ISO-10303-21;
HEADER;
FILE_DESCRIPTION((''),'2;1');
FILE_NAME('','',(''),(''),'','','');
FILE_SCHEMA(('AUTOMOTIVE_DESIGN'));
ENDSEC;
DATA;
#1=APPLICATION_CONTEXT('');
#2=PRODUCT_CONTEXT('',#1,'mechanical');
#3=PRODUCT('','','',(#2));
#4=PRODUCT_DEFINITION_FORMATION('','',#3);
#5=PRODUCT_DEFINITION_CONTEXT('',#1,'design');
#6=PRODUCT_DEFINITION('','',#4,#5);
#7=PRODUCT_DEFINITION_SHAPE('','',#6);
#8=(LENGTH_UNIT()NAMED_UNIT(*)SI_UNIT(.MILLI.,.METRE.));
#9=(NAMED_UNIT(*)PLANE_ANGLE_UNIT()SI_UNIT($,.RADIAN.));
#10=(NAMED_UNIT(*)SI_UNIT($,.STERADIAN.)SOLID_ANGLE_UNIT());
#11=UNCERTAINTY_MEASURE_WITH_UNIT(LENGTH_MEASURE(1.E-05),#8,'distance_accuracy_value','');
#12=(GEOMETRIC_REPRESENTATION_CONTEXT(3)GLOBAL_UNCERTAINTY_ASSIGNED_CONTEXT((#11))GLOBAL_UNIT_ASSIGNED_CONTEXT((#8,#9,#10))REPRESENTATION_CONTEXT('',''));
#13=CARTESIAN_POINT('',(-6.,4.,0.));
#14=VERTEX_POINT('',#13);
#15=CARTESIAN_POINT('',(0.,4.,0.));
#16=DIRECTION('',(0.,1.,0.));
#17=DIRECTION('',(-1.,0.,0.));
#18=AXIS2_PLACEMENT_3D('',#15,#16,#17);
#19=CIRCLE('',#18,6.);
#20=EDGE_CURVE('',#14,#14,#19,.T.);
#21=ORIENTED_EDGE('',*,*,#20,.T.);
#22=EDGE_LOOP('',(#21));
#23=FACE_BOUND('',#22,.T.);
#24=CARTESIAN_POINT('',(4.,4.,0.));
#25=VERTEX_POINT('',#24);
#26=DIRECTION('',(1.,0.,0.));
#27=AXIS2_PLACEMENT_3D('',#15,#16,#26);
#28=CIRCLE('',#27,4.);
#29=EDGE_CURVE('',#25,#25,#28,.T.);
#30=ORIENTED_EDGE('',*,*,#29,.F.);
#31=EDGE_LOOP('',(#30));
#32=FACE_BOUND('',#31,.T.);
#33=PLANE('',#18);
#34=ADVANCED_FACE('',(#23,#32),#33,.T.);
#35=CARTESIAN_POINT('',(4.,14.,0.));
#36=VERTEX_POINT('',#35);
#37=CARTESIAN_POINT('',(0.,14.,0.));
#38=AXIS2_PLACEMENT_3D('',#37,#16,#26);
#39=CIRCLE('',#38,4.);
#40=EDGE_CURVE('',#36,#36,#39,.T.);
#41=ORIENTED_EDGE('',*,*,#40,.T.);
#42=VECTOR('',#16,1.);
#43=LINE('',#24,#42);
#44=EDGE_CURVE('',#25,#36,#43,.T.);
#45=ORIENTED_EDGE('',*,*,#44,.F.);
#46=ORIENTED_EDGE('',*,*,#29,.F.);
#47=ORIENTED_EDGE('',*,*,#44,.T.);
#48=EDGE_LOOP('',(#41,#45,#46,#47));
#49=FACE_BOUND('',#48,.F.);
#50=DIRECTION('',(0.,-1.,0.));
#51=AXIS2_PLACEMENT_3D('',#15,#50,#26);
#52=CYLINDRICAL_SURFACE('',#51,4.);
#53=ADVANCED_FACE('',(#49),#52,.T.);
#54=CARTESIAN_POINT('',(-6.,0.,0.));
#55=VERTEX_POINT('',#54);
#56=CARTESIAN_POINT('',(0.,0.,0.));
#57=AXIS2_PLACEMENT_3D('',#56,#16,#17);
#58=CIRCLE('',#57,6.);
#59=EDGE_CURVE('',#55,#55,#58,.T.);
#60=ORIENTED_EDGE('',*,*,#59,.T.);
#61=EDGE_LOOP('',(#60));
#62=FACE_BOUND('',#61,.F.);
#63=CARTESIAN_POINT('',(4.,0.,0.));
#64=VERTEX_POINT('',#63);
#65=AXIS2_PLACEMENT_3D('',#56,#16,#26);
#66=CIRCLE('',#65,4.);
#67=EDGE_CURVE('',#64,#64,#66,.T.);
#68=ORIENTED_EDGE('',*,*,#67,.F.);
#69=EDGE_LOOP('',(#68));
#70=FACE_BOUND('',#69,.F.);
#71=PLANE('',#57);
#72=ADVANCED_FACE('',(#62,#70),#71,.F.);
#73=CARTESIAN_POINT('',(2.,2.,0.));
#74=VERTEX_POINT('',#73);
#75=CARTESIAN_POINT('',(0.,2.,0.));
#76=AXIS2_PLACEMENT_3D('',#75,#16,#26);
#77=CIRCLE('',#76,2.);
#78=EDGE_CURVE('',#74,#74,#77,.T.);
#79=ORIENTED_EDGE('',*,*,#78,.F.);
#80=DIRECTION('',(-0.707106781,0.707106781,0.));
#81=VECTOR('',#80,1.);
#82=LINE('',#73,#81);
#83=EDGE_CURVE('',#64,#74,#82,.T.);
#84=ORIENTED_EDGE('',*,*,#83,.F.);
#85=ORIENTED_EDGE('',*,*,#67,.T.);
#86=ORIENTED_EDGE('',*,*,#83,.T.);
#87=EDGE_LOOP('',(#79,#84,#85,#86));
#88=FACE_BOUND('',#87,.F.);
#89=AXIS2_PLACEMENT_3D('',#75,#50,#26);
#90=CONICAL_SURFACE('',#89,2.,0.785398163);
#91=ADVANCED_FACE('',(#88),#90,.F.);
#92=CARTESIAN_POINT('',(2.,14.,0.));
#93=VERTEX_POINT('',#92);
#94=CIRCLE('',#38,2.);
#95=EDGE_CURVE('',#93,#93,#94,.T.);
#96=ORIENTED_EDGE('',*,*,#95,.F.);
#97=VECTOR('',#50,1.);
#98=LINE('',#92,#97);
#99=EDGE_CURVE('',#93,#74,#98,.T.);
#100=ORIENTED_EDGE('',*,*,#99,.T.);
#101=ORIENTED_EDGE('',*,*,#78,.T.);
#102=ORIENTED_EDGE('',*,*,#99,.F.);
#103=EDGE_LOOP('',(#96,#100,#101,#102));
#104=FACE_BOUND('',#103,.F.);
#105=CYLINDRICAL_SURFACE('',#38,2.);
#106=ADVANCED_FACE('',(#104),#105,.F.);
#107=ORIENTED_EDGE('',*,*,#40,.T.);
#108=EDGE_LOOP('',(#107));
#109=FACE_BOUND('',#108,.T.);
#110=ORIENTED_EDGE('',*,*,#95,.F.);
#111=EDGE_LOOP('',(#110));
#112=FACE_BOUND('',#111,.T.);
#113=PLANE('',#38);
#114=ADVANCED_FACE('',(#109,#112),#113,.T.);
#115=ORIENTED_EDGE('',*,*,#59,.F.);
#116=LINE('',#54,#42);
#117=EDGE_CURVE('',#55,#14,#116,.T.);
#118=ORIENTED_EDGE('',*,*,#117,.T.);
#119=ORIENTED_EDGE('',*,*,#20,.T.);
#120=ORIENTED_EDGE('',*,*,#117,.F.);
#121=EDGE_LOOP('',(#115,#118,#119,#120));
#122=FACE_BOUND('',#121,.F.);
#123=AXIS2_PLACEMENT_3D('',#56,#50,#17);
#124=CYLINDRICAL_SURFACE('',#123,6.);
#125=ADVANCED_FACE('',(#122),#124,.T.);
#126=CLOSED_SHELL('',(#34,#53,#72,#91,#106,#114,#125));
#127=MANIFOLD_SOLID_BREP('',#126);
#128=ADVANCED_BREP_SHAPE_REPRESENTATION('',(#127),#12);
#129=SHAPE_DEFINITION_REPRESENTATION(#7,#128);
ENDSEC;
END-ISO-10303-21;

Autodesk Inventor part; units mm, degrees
ref_plane "YZ Plane" through (0, 0, 0) normal (1, 0, 0) x (0, 1, 0)
ref_plane "XZ Plane" through (0, 0, 0) normal (0, 1, 0) x (-1, 0, 0)
ref_plane "XY Plane" through (0, 0, 0) normal (0, 0, 1) x (1, 0, 0)
sketch "Sketch1" plane through (0, 0, 0) normal (0, 1, 0) x (-1, 0, 0)
  circle A0 centre (0, 0) radius 6
  dimension "d0" = 12
extrude "Extrusion1" add sketch "Sketch1" along normal blind 4
sketch "Sketch2" plane through (0, 4, 0) normal (0, 1, 0) x (1, 0, 0)
  circle A0 centre (0, 0) radius 4
  dimension "d3" = 8
extrude "Extrusion2" add sketch "Sketch2" along normal blind 10
sketch "Sketch3" plane through (0, 14, 0) normal (0, 1, 0) x (1, 0, 0)
  circle A0 centre (0, 0) radius 2
  dimension "d6" = 4
extrude "Extrusion3" cut sketch "Sketch3" against normal through all
chamfer "Chamfer1" distance 2 angle 45 1 edges at (-2, 0, 0)
properties part number "tube_long"
